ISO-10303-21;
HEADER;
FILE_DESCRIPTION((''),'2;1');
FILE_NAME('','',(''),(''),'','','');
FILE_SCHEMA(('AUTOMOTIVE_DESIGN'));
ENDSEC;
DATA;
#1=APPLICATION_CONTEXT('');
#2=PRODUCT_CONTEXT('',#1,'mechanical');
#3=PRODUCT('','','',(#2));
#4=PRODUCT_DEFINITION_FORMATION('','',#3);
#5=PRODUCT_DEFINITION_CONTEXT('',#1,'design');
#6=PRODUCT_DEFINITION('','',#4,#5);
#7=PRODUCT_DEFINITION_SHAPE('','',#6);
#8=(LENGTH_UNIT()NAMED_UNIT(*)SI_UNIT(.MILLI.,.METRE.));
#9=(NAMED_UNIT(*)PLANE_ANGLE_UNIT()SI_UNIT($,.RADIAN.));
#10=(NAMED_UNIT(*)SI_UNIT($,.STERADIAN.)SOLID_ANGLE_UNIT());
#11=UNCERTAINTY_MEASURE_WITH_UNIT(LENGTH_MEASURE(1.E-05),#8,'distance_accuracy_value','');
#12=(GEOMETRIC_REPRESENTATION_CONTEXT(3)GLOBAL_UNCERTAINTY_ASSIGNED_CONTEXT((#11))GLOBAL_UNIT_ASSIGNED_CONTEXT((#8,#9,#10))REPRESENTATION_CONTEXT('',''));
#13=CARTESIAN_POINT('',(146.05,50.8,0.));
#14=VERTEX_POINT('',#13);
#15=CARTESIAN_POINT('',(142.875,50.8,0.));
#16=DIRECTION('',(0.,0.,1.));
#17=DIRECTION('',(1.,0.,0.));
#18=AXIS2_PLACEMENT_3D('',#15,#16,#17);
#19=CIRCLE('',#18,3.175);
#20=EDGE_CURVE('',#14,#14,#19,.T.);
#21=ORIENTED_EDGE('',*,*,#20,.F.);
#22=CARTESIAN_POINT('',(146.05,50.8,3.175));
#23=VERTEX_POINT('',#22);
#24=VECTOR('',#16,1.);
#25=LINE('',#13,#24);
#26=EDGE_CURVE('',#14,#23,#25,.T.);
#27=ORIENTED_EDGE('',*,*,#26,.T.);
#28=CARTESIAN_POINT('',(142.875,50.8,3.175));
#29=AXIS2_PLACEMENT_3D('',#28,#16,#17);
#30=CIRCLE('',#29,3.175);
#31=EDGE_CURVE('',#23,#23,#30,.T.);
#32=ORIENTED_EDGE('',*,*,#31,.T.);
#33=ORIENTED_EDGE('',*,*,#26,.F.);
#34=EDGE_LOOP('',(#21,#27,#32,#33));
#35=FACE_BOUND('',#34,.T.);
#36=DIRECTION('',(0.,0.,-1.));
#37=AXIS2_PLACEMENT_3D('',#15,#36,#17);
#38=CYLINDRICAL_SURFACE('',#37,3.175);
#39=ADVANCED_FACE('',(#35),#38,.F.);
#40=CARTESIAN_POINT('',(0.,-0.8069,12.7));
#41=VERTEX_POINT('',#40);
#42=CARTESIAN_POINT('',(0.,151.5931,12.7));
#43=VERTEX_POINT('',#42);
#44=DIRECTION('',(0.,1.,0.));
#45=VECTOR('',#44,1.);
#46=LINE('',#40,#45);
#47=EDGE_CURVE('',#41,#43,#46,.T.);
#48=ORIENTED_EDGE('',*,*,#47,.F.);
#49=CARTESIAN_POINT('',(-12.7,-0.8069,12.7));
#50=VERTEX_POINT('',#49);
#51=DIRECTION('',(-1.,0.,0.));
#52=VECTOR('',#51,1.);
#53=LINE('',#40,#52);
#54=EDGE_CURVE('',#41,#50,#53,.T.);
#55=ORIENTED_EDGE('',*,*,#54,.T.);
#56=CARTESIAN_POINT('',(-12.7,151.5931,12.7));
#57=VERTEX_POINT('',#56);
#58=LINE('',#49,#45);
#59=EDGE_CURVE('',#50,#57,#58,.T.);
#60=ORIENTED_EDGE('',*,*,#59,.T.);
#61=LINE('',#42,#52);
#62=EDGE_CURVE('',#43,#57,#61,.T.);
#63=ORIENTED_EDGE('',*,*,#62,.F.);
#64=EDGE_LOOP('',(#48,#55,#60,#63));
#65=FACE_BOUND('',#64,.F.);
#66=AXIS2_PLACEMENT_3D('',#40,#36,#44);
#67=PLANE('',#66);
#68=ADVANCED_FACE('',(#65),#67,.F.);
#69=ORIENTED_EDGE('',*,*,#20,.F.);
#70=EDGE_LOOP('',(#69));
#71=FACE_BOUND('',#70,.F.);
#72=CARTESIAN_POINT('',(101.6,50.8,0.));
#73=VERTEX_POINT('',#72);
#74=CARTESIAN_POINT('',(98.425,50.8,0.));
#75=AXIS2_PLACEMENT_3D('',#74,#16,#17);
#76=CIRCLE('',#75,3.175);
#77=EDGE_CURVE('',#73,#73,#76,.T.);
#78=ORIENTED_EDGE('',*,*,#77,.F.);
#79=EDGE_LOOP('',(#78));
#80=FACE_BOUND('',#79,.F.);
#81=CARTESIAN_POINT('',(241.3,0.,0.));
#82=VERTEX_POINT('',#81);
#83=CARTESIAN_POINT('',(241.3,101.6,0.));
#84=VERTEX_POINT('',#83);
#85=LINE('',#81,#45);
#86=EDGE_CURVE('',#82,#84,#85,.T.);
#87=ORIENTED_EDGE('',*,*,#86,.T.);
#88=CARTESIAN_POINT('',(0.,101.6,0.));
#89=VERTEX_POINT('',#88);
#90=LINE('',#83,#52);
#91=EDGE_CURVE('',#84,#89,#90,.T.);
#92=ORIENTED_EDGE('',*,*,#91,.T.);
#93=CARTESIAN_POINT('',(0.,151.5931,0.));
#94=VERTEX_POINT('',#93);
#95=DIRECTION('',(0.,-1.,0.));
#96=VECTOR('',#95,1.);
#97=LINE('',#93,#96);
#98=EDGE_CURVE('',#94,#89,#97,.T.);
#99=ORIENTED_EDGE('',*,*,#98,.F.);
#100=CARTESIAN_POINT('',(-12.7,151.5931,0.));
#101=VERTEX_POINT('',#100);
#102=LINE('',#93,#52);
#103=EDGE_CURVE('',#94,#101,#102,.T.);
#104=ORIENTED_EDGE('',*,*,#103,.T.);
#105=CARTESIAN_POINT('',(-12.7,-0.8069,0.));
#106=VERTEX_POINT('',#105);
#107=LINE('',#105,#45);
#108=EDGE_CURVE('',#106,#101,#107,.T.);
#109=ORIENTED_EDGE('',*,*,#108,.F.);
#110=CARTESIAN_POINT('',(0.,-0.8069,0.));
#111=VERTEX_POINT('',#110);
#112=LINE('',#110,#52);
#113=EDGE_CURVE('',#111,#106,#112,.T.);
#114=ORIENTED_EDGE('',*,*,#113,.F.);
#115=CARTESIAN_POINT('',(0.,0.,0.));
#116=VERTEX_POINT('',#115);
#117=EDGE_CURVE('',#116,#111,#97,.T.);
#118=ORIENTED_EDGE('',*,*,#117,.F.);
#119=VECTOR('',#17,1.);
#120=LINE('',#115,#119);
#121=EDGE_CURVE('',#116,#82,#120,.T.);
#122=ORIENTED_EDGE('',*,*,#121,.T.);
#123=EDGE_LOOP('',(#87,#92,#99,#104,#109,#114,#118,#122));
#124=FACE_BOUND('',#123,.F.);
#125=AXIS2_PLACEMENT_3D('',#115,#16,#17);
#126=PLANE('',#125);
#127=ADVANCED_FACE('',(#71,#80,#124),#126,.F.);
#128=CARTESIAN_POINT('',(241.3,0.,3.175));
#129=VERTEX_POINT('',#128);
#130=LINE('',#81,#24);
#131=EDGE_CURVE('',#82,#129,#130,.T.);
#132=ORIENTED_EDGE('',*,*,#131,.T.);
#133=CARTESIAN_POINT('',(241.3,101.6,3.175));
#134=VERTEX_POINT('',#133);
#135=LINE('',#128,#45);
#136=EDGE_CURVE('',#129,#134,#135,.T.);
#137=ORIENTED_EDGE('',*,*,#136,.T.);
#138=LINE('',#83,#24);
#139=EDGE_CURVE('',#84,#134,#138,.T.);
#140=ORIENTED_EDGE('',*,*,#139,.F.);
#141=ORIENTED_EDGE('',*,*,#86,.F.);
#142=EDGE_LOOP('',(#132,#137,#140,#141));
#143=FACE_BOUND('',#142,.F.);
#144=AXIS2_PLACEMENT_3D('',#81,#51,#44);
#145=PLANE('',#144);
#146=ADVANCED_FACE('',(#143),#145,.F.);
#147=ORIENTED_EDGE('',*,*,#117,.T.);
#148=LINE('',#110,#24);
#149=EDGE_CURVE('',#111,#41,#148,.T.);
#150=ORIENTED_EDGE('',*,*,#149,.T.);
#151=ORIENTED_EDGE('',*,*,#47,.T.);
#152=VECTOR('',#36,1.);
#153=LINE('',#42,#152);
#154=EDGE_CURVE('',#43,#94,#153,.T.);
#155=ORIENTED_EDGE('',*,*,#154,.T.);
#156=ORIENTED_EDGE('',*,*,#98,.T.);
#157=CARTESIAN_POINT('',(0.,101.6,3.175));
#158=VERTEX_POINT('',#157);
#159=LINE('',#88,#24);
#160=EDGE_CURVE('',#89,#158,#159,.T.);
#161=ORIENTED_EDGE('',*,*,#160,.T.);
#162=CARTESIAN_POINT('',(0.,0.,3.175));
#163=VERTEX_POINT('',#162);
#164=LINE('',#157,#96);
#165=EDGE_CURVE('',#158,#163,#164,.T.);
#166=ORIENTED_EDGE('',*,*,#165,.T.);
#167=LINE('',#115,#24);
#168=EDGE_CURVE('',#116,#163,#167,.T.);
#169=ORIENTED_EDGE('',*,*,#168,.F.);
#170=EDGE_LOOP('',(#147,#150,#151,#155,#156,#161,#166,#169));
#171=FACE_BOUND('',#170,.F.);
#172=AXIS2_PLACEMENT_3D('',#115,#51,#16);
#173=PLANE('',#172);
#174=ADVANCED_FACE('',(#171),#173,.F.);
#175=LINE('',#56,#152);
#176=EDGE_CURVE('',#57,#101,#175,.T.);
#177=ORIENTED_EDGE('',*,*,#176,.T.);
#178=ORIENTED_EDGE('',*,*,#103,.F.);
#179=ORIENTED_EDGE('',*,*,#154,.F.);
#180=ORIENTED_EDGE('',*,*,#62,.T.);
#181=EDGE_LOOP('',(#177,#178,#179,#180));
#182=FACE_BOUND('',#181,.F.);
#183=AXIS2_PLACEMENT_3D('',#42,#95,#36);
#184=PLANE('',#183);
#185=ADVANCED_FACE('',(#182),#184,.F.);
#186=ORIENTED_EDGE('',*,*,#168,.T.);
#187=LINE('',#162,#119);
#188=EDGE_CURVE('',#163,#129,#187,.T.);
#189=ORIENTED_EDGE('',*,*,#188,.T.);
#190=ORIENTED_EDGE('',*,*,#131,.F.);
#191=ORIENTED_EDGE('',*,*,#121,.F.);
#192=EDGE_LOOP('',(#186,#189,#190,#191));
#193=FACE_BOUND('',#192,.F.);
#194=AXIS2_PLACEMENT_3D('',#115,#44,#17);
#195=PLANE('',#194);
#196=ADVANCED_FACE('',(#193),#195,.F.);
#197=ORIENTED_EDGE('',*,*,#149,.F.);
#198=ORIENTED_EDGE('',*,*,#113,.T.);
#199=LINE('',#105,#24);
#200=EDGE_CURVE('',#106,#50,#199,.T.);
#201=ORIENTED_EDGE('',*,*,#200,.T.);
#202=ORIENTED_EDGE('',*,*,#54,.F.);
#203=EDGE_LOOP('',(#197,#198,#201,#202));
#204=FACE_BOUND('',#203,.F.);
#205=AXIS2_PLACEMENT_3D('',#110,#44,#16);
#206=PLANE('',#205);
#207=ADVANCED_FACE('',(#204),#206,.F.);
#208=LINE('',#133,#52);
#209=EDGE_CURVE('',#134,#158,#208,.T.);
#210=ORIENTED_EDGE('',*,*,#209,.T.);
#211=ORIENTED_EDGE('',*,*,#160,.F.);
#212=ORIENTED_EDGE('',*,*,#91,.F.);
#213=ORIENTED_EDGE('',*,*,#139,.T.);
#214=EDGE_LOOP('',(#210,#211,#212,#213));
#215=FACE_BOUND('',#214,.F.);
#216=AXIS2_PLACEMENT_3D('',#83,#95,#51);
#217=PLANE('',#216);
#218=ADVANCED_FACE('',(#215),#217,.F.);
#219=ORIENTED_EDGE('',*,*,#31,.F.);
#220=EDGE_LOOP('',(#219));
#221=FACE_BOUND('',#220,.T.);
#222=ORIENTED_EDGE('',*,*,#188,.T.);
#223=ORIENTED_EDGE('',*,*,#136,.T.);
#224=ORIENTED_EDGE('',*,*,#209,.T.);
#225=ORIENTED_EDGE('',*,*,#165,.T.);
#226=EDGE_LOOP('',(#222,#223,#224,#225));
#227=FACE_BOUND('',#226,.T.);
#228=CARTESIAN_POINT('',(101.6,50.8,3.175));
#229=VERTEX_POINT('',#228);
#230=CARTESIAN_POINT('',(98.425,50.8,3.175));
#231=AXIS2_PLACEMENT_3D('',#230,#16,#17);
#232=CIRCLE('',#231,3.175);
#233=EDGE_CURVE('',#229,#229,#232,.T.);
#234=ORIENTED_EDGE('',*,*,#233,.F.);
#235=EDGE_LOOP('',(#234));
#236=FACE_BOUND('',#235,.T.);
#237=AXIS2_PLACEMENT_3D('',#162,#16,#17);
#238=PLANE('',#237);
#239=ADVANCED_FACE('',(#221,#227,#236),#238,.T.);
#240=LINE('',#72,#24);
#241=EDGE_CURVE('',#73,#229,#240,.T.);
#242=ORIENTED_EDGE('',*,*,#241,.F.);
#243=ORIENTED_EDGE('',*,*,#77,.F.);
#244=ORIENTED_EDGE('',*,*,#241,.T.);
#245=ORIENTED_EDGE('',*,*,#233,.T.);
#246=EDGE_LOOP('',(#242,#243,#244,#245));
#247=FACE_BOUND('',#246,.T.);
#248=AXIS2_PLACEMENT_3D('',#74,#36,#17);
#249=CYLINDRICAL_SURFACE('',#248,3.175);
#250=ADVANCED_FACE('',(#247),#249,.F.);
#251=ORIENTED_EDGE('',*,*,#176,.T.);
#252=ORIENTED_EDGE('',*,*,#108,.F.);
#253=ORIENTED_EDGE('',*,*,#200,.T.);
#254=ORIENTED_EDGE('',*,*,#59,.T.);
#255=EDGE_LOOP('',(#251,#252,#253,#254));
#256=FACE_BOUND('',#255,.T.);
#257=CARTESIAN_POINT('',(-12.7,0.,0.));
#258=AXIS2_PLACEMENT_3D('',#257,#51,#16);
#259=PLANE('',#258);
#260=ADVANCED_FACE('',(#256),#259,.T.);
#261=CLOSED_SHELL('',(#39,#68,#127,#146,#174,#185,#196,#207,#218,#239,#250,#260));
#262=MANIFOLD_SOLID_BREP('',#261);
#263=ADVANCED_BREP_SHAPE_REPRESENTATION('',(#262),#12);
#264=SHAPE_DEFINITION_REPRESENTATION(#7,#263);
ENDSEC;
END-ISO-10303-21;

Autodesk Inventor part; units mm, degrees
ref_plane "YZ Plane" through (0, 0, 0) normal (1, 0, 0) x (0, 1, 0)
ref_plane "XZ Plane" through (0, 0, 0) normal (0, 1, 0) x (-1, 0, 0)
ref_plane "XY Plane" through (0, 0, 0) normal (0, 0, 1) x (1, 0, 0)
sketch "Sketch1" plane through (0, 0, 0) normal (0, 0, 1) x (1, 0, 0)
  line L0 (0, 0) -> (241.3, 0)
  line L1 (241.3, 0) -> (241.3, 101.6)
  line L2 (241.3, 101.6) -> (0, 101.6)
  line L3 (0, 101.6) -> (0, 0)
  circle A0 centre (98.425, 50.8) radius 3.175
  circle A1 centre (142.875, 50.8) radius 3.175
  dimension "d0" = 241.3
  dimension "d1" = 101.6
  dimension "d2" = 6.35
  dimension "d3" = 6.35
  dimension "d4" = 44.45
  dimension "d5" = 98.425
  dimension "d6" = 50.8
extrude "Extrusion1" add sketch "Sketch1" along normal blind 3.175
sketch "Sketch2" plane through (0, 0, 0) normal (-1, 0, 0) x (0, 0, 1)
  line L0 (0, -0.8069) -> (12.7, -0.8069)
  line L1 (12.7, -0.8069) -> (12.7, 151.5931)
  line L2 (12.7, 151.5931) -> (0, 151.5931)
  line L3 (0, 151.5931) -> (0, -0.8069)
  line L4 (0, 101.6) -> (0, 0) projected
  dimension "d9" = 12.7
  dimension "d10" = 152.4
  dimension "d11" = 0
extrude "Extrusion2" add sketch "Sketch2" along normal blind 12.7
properties part number "Handle"
